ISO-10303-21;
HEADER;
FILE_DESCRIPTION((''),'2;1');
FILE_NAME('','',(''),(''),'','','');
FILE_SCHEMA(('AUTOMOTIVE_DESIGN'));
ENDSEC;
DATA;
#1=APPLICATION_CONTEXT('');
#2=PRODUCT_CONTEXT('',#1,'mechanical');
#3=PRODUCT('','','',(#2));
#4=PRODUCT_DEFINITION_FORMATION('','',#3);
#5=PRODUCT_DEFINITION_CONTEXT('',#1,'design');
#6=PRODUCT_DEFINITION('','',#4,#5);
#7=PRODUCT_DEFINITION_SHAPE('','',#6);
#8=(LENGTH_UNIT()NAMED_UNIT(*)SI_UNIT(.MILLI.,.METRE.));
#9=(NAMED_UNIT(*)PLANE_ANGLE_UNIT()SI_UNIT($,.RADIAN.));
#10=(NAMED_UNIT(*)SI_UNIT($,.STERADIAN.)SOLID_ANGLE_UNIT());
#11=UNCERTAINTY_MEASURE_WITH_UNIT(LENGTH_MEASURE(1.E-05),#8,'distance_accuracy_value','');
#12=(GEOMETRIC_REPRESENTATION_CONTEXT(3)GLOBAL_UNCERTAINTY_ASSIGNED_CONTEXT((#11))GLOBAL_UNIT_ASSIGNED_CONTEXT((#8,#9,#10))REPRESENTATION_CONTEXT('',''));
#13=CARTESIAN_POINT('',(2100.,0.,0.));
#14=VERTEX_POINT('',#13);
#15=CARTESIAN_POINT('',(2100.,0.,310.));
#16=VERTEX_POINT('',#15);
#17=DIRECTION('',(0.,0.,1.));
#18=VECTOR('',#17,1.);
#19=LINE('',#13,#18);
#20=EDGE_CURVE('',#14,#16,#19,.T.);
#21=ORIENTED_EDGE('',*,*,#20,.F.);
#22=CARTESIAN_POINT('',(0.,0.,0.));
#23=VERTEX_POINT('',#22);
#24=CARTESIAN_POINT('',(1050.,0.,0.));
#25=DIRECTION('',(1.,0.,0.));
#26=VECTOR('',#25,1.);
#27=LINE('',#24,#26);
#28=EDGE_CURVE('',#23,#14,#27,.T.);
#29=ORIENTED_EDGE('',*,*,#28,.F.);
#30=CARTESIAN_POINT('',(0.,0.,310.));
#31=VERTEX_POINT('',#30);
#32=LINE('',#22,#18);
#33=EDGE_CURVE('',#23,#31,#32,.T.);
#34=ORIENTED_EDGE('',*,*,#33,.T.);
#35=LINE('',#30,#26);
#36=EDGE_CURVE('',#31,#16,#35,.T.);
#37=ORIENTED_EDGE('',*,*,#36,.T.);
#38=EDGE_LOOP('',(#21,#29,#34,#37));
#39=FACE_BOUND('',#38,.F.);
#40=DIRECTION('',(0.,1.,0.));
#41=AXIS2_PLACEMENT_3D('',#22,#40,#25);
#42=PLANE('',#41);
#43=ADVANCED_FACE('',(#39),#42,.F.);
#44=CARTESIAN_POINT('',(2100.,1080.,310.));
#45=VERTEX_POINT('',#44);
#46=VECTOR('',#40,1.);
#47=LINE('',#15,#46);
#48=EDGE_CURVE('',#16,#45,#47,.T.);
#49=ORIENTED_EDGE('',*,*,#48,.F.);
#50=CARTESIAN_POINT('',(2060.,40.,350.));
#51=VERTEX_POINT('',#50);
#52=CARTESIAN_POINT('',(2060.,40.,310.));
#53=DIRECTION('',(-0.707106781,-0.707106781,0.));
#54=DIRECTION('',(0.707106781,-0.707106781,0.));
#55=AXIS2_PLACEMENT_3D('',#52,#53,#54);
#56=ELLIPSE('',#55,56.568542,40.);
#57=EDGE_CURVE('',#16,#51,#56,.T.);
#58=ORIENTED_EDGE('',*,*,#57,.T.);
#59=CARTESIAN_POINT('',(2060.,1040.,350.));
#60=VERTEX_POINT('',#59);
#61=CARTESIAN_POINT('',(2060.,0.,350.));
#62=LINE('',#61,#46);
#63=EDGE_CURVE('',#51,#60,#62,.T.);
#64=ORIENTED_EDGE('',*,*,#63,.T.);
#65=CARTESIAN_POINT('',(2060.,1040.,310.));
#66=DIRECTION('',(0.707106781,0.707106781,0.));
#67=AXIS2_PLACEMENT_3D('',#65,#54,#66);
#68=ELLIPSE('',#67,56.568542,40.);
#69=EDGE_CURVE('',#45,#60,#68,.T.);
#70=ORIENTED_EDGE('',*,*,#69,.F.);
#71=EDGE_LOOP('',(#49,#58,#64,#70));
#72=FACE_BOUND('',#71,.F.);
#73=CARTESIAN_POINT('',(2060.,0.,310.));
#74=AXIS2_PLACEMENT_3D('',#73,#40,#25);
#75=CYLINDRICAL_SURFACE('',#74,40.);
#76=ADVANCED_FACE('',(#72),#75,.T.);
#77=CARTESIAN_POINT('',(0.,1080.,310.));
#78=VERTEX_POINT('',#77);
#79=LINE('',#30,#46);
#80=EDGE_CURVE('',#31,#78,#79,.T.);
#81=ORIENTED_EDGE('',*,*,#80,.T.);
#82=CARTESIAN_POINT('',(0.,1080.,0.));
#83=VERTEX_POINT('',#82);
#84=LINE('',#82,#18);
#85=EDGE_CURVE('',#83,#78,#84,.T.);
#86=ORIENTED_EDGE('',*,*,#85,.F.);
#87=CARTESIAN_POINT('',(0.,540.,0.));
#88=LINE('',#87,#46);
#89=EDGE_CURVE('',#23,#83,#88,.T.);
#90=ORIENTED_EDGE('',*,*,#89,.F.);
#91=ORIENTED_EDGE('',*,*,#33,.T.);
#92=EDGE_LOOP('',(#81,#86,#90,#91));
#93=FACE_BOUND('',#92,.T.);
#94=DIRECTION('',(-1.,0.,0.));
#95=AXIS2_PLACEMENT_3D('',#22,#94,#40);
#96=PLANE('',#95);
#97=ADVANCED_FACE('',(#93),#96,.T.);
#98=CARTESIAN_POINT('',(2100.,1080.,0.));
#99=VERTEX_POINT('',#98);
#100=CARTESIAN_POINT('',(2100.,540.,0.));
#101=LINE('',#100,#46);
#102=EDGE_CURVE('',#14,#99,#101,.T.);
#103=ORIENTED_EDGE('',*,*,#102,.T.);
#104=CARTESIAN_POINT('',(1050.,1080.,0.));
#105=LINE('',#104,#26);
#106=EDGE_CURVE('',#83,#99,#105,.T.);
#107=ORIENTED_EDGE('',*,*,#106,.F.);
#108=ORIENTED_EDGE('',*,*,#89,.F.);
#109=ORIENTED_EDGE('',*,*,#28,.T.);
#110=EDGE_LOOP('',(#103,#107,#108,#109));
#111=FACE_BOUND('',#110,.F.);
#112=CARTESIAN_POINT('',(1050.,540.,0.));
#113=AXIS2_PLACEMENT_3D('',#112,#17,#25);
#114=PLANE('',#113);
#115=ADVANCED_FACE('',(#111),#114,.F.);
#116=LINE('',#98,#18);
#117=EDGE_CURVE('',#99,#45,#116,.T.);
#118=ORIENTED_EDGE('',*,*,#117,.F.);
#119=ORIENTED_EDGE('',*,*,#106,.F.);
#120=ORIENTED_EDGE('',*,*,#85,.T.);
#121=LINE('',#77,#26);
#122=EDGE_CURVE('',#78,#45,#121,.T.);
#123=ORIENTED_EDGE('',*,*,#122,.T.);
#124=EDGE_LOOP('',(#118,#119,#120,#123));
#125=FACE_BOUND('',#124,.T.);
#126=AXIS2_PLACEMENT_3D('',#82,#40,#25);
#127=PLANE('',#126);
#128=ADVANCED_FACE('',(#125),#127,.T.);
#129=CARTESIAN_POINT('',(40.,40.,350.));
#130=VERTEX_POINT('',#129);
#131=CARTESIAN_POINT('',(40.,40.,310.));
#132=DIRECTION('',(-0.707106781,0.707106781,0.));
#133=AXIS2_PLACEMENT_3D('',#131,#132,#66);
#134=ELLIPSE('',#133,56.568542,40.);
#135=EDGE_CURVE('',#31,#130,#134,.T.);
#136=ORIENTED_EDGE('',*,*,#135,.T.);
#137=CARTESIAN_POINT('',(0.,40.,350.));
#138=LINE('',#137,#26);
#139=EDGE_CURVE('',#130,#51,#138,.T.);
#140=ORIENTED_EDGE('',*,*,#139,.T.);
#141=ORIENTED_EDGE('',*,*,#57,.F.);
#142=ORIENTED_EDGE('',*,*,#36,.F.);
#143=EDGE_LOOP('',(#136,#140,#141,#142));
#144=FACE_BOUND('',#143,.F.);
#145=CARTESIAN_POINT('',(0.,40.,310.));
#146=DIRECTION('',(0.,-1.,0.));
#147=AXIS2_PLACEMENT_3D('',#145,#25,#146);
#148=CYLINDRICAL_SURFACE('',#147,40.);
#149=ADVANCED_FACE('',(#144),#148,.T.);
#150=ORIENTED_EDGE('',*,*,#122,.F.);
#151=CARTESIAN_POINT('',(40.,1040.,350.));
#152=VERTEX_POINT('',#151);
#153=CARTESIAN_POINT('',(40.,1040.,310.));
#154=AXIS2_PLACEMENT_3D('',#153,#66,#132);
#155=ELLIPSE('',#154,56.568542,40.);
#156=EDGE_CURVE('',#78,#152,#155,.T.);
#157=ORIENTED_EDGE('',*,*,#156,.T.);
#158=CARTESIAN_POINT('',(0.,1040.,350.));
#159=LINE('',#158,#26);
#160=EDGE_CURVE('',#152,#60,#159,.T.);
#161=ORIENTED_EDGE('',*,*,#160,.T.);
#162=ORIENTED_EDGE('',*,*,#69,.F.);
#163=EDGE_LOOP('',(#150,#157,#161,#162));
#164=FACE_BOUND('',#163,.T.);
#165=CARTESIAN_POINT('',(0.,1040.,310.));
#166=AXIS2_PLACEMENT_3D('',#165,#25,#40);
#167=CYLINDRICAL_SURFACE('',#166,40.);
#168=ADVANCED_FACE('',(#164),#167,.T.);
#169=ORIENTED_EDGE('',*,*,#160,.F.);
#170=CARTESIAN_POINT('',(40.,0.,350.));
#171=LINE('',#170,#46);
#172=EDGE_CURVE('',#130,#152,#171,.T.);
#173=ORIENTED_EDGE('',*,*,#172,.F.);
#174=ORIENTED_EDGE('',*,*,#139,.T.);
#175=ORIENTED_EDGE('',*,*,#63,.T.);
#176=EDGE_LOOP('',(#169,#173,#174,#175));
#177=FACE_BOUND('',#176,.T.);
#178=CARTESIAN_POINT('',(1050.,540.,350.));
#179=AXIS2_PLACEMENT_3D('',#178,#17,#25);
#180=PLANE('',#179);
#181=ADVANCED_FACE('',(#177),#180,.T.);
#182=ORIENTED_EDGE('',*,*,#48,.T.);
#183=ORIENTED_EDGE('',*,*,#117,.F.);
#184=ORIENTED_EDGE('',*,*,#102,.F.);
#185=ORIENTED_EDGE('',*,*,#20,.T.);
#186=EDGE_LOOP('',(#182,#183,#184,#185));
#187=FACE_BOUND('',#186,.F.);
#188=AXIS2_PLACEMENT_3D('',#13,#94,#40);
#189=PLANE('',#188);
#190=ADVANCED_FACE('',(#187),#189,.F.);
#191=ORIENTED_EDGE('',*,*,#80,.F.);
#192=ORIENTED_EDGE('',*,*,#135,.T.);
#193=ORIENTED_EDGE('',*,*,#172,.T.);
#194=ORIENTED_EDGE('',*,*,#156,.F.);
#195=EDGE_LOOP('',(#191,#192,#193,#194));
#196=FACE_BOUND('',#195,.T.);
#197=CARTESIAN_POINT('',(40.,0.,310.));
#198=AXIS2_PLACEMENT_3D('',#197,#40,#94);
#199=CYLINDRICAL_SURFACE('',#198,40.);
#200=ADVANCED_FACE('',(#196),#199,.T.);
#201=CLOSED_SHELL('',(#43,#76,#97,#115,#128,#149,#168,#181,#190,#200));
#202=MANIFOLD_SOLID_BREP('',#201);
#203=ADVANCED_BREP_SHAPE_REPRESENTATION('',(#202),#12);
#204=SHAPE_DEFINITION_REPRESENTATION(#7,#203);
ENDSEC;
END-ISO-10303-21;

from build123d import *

# Parameters (mm, degrees)
F0_W     = 2100
F0_H     = 1080
F1_DEPTH = 350
F2_R     = 40


with BuildPart() as f1:
    # F0 (on Top) → F1 (new body)
    with BuildSketch(Plane.XY):
        with Locations((1050, 540)):
            Rectangle(F0_W, F0_H)
    extrude(amount=F1_DEPTH)

    # F2
    f2_edges = [f1.edges().sort_by_distance(p)[0] for p in [
        (0, 540, 350),
        (1050, 0, 350),
        (2100, 540, 350),
        (1050, 1080, 350),
    ]]
    fillet(f2_edges, radius=F2_R)


solid = f1.part
